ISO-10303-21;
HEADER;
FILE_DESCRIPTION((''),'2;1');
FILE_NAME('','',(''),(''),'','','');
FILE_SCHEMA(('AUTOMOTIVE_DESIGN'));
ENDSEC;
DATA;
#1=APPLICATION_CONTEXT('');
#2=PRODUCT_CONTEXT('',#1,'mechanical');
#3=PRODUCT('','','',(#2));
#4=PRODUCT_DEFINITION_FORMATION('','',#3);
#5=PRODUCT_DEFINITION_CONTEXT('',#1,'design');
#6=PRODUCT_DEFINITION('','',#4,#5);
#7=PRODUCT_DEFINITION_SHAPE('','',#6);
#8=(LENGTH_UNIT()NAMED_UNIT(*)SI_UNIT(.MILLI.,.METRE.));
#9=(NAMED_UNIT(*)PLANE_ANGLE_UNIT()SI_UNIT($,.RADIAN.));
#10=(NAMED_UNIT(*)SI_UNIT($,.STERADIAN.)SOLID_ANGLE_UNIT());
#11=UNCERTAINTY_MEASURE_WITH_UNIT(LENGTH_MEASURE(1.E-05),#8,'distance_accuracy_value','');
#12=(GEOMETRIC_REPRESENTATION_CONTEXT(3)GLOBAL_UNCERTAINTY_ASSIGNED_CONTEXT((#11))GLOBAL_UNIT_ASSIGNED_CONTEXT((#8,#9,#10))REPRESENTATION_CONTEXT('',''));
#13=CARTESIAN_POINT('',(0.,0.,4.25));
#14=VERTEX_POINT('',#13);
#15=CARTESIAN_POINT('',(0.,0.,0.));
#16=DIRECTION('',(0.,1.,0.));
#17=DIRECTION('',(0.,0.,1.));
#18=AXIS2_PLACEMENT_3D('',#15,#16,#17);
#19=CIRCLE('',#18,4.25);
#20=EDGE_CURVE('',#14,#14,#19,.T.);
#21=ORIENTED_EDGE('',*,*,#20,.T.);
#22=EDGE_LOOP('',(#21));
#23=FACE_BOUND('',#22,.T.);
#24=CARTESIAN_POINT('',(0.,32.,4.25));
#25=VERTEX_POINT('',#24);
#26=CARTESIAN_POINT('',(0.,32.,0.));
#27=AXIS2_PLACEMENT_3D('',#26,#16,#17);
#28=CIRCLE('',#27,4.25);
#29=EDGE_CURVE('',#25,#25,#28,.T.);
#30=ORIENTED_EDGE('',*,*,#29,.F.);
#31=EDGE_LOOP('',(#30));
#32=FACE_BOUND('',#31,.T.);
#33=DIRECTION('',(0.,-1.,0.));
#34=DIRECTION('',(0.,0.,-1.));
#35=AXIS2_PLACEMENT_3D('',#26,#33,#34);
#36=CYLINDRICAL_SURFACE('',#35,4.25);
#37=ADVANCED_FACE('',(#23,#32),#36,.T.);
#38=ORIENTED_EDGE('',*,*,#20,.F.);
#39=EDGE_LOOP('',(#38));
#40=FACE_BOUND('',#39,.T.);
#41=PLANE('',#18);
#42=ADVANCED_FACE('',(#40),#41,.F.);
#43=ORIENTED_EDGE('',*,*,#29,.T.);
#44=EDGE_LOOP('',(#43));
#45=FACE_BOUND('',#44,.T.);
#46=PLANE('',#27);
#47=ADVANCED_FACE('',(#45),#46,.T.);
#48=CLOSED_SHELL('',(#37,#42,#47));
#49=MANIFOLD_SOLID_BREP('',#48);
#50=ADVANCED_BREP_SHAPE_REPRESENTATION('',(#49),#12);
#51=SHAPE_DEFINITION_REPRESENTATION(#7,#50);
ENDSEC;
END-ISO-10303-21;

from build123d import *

# Parameters (mm, degrees)
SKETCH1_R           = 4.25
BOSS_EXTRUDE1_DEPTH = 32


with BuildPart() as part:
    # Sketch1 → Boss-Extrude1 (new body)
    with BuildSketch(Plane(origin=(0, 0, 0), x_dir=(1, 0, 0), z_dir=(0, 1, 0))):
        Circle(SKETCH1_R)
    extrude(amount=BOSS_EXTRUDE1_DEPTH)


solid = part.part
